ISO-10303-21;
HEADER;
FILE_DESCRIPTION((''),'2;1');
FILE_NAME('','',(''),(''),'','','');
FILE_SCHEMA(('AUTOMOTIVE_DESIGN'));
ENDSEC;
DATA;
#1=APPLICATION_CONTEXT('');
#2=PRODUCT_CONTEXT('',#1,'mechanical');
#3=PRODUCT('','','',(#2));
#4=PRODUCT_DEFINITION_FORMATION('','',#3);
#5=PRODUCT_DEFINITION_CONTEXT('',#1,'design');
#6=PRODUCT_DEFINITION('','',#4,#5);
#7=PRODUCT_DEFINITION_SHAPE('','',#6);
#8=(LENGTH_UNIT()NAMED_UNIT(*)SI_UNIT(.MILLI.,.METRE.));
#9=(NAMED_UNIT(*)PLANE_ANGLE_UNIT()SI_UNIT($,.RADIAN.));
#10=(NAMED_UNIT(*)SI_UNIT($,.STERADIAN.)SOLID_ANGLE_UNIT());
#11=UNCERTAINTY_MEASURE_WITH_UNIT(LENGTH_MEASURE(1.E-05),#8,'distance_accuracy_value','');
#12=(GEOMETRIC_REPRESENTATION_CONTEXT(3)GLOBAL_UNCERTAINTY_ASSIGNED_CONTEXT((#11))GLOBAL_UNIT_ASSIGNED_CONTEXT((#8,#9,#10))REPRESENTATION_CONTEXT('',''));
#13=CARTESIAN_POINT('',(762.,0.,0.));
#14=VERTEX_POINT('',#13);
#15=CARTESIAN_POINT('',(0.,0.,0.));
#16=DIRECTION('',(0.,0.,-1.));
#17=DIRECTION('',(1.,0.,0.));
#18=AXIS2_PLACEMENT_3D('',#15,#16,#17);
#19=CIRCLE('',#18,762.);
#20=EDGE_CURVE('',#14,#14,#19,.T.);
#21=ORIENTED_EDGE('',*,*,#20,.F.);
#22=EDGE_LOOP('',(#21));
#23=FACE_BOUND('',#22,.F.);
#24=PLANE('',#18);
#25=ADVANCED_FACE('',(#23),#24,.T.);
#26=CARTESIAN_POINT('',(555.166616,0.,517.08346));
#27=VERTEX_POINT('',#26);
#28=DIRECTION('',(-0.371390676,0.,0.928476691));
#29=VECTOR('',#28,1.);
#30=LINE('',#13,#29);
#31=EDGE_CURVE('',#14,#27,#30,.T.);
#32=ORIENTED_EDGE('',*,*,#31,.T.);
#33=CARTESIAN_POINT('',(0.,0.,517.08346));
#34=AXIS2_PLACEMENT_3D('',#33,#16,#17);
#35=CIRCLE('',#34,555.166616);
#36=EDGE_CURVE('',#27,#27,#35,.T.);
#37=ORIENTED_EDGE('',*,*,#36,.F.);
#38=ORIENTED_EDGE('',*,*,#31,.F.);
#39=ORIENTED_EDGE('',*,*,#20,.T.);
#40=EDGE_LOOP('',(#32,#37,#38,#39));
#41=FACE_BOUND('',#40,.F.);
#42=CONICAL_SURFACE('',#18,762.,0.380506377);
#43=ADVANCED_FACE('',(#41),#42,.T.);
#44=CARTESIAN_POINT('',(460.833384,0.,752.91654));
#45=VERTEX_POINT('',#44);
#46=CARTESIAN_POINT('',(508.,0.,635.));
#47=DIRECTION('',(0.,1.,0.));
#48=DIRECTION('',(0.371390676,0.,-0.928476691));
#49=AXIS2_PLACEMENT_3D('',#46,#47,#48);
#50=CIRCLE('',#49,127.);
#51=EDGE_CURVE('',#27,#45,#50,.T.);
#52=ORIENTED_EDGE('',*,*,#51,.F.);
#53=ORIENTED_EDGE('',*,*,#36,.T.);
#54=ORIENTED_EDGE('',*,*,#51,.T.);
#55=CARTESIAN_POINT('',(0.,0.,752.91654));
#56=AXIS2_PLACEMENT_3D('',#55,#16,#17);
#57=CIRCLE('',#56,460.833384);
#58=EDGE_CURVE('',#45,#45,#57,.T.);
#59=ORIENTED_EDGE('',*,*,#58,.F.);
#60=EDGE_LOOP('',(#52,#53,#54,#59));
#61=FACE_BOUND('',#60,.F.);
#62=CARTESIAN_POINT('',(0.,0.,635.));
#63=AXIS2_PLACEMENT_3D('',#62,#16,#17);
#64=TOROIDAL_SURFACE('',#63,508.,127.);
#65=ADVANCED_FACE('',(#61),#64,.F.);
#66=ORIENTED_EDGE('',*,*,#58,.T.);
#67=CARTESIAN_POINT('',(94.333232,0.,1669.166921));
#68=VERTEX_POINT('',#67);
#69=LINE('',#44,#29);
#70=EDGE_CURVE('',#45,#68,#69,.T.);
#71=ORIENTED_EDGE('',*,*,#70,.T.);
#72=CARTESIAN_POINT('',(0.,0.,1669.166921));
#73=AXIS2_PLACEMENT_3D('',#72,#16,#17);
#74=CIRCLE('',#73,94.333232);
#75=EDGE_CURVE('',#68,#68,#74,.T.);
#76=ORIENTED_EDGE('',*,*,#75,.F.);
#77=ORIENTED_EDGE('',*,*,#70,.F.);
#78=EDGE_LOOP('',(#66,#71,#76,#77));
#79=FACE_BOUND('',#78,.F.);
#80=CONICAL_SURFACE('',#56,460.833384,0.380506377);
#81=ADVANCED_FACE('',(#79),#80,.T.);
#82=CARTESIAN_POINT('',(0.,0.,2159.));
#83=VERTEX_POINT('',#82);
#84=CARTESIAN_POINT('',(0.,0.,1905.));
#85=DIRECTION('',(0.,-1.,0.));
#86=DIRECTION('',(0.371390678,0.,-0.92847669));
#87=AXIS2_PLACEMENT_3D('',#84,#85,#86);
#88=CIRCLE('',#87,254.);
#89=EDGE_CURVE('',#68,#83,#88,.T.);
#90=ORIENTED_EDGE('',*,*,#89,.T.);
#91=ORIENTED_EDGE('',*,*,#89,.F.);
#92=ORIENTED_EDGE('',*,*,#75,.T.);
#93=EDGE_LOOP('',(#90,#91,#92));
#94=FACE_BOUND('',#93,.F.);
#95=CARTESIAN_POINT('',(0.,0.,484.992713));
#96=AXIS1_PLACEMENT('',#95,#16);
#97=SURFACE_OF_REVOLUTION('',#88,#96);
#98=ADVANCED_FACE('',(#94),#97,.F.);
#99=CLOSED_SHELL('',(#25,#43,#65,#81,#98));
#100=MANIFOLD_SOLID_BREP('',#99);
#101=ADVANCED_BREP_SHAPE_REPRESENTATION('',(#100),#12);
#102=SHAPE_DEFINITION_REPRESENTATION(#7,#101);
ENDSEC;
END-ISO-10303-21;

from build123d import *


with BuildPart() as f1:
    # F0 (on Front) → F1 (revolve)
    with BuildSketch(Plane.XZ):
        with BuildLine():
            Line((460.833384, 752.91654), (94.333232, 1669.166921))
            ThreePointArc((94.333232, 1669.166921), (249.416922, 1953.03331), (0, 2159))
            Line((0, 2159), (0, 1651))
            Line((0, 1651), (0, 0))
            Line((0, 0), (762, 0))
            Line((762, 0), (555.166616, 517.08346))
            ThreePointArc((555.166616, 517.08346), (390.08346, 587.833384), (460.833384, 752.91654))
        make_face()
    revolve(axis=Axis((0, 0, 484.992713), (0, 0, -1)))


solid = f1.part
